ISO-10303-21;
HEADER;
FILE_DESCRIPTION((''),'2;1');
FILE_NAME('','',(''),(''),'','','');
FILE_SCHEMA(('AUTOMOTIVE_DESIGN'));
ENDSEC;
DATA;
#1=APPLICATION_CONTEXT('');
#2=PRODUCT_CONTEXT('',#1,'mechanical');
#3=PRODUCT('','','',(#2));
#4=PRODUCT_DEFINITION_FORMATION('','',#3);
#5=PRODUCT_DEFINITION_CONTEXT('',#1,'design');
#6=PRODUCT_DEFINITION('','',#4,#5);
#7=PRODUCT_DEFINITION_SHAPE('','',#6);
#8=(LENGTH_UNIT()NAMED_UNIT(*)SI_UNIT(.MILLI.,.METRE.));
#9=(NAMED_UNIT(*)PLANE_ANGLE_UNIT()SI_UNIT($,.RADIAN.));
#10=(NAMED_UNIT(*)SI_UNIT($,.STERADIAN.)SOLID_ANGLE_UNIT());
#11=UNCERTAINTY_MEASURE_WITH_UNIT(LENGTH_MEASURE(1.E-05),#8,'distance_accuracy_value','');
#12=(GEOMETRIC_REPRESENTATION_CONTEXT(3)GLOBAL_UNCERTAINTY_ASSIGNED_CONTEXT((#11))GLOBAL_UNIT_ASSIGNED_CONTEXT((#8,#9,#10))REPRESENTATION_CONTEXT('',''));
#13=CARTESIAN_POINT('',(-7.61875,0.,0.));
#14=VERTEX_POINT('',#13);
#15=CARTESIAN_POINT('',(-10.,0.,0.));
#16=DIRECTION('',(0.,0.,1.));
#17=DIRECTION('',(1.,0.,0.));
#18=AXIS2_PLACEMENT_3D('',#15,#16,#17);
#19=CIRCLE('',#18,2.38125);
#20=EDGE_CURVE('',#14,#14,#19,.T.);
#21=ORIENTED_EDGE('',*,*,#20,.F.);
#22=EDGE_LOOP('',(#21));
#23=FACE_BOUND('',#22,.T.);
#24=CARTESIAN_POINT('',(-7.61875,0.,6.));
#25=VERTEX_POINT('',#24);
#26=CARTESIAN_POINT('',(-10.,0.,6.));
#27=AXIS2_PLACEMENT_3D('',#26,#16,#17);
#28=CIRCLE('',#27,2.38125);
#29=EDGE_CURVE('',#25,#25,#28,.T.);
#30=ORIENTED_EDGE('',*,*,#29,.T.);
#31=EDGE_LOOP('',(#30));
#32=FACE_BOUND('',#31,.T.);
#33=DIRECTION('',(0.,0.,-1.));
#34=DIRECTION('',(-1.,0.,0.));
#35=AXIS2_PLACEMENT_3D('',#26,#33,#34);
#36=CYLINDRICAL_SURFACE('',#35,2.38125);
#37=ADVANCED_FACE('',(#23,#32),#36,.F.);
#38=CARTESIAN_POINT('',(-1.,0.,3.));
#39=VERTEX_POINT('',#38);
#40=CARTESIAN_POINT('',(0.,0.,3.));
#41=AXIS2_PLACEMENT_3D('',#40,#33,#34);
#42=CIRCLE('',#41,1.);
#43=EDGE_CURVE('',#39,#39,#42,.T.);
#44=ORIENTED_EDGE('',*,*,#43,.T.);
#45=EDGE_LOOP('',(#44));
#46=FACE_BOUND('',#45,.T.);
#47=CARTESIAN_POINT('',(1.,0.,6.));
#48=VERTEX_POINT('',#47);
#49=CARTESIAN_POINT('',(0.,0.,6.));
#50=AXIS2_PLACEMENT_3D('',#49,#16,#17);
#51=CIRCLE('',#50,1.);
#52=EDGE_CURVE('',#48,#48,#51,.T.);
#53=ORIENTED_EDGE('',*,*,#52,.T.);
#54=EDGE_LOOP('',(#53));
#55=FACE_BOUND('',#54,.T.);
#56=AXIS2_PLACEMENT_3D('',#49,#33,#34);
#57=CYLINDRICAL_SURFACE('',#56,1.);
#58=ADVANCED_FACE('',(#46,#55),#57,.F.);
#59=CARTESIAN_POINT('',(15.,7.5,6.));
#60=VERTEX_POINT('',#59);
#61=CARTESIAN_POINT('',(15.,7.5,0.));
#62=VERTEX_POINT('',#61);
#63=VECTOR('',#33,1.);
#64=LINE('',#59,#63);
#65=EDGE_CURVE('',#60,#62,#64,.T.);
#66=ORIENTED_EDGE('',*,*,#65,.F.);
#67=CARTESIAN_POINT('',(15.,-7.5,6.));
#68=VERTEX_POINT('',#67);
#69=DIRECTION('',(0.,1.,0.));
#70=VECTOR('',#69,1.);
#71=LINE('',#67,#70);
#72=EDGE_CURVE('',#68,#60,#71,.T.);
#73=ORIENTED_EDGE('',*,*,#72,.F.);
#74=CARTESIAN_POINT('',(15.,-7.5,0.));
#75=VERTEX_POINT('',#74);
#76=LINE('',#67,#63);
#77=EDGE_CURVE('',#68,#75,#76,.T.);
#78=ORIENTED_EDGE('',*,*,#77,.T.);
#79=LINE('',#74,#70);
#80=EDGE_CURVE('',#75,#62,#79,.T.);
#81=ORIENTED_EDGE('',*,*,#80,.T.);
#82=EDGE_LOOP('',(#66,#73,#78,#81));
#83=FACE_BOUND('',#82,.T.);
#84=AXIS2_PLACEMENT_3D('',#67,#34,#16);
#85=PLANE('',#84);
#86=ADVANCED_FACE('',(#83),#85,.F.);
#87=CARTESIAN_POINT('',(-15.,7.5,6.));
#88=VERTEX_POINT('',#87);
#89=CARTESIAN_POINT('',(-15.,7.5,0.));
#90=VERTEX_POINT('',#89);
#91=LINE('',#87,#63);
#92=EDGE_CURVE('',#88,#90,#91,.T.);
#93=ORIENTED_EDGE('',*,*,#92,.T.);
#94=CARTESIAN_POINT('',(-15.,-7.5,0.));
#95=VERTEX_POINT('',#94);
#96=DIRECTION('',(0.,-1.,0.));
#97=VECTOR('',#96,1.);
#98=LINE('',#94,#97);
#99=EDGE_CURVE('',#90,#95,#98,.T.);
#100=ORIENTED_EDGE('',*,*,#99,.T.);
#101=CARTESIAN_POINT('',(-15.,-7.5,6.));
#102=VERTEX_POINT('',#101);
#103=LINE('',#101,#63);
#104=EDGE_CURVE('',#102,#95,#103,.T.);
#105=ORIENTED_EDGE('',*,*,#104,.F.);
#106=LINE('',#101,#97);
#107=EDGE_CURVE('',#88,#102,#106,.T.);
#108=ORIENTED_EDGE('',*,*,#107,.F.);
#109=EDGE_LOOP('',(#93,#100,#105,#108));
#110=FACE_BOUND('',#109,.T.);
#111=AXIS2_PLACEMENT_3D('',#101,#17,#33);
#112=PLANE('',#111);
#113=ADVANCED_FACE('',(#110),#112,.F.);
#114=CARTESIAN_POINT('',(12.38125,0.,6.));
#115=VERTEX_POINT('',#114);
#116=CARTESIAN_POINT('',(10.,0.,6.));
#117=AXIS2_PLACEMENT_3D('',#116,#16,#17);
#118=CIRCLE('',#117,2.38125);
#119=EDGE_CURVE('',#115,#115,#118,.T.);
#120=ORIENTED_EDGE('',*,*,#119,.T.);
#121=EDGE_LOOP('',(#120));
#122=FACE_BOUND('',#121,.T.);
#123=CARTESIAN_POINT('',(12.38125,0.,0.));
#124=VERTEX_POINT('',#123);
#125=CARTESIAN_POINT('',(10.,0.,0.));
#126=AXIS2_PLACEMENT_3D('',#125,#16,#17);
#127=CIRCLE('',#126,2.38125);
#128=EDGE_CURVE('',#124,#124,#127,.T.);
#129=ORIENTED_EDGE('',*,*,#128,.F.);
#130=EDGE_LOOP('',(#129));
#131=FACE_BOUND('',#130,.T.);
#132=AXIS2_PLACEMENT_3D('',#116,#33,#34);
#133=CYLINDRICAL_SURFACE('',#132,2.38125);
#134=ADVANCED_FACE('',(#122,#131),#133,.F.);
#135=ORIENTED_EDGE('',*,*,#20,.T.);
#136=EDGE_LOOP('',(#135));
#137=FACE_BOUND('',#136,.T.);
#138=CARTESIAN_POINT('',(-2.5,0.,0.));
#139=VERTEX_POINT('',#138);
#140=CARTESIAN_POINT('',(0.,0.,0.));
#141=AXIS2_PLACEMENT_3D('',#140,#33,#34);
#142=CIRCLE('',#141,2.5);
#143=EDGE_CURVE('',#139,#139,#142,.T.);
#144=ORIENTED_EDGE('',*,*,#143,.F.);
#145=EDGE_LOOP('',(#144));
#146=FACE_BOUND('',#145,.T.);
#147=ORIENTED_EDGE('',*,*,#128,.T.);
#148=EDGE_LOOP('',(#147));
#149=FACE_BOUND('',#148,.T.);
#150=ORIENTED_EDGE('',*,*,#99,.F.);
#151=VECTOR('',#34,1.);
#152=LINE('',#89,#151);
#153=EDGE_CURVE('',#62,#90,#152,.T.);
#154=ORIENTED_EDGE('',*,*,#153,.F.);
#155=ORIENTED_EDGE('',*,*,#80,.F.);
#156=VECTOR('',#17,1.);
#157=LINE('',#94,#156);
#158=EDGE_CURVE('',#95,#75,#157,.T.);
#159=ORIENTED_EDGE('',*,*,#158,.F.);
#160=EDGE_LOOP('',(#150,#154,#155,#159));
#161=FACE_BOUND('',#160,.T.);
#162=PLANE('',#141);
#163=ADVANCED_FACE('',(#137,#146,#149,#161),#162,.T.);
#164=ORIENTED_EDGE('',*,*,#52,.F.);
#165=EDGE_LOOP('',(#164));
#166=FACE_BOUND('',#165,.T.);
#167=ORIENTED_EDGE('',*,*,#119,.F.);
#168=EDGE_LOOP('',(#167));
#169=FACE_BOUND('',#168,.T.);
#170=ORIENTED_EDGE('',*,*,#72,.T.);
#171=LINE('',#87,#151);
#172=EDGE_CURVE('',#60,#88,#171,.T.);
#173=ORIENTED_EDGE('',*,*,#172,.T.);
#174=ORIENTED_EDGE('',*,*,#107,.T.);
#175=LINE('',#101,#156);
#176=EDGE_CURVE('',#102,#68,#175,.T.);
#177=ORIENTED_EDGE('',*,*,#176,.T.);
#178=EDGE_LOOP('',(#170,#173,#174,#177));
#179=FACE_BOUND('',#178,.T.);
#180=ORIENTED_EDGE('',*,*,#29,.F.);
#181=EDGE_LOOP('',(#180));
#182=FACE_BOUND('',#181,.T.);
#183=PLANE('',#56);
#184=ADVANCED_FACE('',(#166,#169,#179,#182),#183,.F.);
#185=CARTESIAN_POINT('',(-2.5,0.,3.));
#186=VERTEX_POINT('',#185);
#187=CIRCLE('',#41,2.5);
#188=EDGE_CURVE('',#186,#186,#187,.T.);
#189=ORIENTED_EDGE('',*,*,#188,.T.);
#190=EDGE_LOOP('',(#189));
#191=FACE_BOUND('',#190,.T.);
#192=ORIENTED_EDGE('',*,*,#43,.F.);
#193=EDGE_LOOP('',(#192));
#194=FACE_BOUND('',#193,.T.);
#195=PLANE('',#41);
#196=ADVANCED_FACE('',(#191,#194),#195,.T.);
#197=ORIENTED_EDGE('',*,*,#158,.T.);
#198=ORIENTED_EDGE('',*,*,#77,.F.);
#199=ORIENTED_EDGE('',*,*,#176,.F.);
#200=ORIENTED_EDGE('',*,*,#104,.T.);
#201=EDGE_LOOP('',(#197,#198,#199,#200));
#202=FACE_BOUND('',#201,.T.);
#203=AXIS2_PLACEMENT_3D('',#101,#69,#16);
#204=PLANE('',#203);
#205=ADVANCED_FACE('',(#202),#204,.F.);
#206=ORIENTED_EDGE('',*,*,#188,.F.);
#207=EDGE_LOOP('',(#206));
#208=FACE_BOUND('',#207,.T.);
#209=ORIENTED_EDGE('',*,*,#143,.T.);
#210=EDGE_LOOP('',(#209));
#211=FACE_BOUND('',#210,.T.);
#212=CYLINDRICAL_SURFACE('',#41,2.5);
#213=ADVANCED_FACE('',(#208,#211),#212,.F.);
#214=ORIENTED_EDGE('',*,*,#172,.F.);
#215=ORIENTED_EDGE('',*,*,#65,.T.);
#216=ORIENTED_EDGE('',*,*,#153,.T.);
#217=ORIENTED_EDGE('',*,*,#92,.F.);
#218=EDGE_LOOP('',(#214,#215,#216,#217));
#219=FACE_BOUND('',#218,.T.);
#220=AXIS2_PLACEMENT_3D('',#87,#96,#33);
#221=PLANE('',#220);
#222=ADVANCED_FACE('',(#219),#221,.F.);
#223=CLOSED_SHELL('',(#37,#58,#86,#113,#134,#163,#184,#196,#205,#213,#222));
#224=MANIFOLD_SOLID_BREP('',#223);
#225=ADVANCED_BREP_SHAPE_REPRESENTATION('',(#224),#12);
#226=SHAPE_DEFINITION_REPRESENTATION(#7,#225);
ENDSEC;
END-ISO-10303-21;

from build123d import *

# Parameters (mm, degrees)
SKETCH1_W           = 30
SKETCH1_H           = 15
SKETCH1_R           = 1
SKETCH1_R_2         = 2.38125
BOSS_EXTRUDE1_DEPTH = 6
SKETCH3_R           = 2.5
CUT_EXTRUDE2_DEPTH  = 3


with BuildPart() as part:
    # Sketch1 → Boss-Extrude1 (new body)
    with BuildSketch(Plane.XY):
        Rectangle(SKETCH1_W, SKETCH1_H)
        Circle(SKETCH1_R, mode=Mode.SUBTRACT)
        with Locations((10, 0)):
            Circle(SKETCH1_R_2, mode=Mode.SUBTRACT)
        with Locations((-10, 0)):
            Circle(SKETCH1_R_2, mode=Mode.SUBTRACT)
    extrude(amount=BOSS_EXTRUDE1_DEPTH)

    # Sketch3 → Cut-Extrude2 (cut)
    with BuildSketch(Plane(origin=(0, 0, 0), x_dir=(-1, 0, 0), z_dir=(0, 0, -1))):
        Circle(SKETCH3_R)
    extrude(amount=-CUT_EXTRUDE2_DEPTH, mode=Mode.SUBTRACT)


solid = part.part
